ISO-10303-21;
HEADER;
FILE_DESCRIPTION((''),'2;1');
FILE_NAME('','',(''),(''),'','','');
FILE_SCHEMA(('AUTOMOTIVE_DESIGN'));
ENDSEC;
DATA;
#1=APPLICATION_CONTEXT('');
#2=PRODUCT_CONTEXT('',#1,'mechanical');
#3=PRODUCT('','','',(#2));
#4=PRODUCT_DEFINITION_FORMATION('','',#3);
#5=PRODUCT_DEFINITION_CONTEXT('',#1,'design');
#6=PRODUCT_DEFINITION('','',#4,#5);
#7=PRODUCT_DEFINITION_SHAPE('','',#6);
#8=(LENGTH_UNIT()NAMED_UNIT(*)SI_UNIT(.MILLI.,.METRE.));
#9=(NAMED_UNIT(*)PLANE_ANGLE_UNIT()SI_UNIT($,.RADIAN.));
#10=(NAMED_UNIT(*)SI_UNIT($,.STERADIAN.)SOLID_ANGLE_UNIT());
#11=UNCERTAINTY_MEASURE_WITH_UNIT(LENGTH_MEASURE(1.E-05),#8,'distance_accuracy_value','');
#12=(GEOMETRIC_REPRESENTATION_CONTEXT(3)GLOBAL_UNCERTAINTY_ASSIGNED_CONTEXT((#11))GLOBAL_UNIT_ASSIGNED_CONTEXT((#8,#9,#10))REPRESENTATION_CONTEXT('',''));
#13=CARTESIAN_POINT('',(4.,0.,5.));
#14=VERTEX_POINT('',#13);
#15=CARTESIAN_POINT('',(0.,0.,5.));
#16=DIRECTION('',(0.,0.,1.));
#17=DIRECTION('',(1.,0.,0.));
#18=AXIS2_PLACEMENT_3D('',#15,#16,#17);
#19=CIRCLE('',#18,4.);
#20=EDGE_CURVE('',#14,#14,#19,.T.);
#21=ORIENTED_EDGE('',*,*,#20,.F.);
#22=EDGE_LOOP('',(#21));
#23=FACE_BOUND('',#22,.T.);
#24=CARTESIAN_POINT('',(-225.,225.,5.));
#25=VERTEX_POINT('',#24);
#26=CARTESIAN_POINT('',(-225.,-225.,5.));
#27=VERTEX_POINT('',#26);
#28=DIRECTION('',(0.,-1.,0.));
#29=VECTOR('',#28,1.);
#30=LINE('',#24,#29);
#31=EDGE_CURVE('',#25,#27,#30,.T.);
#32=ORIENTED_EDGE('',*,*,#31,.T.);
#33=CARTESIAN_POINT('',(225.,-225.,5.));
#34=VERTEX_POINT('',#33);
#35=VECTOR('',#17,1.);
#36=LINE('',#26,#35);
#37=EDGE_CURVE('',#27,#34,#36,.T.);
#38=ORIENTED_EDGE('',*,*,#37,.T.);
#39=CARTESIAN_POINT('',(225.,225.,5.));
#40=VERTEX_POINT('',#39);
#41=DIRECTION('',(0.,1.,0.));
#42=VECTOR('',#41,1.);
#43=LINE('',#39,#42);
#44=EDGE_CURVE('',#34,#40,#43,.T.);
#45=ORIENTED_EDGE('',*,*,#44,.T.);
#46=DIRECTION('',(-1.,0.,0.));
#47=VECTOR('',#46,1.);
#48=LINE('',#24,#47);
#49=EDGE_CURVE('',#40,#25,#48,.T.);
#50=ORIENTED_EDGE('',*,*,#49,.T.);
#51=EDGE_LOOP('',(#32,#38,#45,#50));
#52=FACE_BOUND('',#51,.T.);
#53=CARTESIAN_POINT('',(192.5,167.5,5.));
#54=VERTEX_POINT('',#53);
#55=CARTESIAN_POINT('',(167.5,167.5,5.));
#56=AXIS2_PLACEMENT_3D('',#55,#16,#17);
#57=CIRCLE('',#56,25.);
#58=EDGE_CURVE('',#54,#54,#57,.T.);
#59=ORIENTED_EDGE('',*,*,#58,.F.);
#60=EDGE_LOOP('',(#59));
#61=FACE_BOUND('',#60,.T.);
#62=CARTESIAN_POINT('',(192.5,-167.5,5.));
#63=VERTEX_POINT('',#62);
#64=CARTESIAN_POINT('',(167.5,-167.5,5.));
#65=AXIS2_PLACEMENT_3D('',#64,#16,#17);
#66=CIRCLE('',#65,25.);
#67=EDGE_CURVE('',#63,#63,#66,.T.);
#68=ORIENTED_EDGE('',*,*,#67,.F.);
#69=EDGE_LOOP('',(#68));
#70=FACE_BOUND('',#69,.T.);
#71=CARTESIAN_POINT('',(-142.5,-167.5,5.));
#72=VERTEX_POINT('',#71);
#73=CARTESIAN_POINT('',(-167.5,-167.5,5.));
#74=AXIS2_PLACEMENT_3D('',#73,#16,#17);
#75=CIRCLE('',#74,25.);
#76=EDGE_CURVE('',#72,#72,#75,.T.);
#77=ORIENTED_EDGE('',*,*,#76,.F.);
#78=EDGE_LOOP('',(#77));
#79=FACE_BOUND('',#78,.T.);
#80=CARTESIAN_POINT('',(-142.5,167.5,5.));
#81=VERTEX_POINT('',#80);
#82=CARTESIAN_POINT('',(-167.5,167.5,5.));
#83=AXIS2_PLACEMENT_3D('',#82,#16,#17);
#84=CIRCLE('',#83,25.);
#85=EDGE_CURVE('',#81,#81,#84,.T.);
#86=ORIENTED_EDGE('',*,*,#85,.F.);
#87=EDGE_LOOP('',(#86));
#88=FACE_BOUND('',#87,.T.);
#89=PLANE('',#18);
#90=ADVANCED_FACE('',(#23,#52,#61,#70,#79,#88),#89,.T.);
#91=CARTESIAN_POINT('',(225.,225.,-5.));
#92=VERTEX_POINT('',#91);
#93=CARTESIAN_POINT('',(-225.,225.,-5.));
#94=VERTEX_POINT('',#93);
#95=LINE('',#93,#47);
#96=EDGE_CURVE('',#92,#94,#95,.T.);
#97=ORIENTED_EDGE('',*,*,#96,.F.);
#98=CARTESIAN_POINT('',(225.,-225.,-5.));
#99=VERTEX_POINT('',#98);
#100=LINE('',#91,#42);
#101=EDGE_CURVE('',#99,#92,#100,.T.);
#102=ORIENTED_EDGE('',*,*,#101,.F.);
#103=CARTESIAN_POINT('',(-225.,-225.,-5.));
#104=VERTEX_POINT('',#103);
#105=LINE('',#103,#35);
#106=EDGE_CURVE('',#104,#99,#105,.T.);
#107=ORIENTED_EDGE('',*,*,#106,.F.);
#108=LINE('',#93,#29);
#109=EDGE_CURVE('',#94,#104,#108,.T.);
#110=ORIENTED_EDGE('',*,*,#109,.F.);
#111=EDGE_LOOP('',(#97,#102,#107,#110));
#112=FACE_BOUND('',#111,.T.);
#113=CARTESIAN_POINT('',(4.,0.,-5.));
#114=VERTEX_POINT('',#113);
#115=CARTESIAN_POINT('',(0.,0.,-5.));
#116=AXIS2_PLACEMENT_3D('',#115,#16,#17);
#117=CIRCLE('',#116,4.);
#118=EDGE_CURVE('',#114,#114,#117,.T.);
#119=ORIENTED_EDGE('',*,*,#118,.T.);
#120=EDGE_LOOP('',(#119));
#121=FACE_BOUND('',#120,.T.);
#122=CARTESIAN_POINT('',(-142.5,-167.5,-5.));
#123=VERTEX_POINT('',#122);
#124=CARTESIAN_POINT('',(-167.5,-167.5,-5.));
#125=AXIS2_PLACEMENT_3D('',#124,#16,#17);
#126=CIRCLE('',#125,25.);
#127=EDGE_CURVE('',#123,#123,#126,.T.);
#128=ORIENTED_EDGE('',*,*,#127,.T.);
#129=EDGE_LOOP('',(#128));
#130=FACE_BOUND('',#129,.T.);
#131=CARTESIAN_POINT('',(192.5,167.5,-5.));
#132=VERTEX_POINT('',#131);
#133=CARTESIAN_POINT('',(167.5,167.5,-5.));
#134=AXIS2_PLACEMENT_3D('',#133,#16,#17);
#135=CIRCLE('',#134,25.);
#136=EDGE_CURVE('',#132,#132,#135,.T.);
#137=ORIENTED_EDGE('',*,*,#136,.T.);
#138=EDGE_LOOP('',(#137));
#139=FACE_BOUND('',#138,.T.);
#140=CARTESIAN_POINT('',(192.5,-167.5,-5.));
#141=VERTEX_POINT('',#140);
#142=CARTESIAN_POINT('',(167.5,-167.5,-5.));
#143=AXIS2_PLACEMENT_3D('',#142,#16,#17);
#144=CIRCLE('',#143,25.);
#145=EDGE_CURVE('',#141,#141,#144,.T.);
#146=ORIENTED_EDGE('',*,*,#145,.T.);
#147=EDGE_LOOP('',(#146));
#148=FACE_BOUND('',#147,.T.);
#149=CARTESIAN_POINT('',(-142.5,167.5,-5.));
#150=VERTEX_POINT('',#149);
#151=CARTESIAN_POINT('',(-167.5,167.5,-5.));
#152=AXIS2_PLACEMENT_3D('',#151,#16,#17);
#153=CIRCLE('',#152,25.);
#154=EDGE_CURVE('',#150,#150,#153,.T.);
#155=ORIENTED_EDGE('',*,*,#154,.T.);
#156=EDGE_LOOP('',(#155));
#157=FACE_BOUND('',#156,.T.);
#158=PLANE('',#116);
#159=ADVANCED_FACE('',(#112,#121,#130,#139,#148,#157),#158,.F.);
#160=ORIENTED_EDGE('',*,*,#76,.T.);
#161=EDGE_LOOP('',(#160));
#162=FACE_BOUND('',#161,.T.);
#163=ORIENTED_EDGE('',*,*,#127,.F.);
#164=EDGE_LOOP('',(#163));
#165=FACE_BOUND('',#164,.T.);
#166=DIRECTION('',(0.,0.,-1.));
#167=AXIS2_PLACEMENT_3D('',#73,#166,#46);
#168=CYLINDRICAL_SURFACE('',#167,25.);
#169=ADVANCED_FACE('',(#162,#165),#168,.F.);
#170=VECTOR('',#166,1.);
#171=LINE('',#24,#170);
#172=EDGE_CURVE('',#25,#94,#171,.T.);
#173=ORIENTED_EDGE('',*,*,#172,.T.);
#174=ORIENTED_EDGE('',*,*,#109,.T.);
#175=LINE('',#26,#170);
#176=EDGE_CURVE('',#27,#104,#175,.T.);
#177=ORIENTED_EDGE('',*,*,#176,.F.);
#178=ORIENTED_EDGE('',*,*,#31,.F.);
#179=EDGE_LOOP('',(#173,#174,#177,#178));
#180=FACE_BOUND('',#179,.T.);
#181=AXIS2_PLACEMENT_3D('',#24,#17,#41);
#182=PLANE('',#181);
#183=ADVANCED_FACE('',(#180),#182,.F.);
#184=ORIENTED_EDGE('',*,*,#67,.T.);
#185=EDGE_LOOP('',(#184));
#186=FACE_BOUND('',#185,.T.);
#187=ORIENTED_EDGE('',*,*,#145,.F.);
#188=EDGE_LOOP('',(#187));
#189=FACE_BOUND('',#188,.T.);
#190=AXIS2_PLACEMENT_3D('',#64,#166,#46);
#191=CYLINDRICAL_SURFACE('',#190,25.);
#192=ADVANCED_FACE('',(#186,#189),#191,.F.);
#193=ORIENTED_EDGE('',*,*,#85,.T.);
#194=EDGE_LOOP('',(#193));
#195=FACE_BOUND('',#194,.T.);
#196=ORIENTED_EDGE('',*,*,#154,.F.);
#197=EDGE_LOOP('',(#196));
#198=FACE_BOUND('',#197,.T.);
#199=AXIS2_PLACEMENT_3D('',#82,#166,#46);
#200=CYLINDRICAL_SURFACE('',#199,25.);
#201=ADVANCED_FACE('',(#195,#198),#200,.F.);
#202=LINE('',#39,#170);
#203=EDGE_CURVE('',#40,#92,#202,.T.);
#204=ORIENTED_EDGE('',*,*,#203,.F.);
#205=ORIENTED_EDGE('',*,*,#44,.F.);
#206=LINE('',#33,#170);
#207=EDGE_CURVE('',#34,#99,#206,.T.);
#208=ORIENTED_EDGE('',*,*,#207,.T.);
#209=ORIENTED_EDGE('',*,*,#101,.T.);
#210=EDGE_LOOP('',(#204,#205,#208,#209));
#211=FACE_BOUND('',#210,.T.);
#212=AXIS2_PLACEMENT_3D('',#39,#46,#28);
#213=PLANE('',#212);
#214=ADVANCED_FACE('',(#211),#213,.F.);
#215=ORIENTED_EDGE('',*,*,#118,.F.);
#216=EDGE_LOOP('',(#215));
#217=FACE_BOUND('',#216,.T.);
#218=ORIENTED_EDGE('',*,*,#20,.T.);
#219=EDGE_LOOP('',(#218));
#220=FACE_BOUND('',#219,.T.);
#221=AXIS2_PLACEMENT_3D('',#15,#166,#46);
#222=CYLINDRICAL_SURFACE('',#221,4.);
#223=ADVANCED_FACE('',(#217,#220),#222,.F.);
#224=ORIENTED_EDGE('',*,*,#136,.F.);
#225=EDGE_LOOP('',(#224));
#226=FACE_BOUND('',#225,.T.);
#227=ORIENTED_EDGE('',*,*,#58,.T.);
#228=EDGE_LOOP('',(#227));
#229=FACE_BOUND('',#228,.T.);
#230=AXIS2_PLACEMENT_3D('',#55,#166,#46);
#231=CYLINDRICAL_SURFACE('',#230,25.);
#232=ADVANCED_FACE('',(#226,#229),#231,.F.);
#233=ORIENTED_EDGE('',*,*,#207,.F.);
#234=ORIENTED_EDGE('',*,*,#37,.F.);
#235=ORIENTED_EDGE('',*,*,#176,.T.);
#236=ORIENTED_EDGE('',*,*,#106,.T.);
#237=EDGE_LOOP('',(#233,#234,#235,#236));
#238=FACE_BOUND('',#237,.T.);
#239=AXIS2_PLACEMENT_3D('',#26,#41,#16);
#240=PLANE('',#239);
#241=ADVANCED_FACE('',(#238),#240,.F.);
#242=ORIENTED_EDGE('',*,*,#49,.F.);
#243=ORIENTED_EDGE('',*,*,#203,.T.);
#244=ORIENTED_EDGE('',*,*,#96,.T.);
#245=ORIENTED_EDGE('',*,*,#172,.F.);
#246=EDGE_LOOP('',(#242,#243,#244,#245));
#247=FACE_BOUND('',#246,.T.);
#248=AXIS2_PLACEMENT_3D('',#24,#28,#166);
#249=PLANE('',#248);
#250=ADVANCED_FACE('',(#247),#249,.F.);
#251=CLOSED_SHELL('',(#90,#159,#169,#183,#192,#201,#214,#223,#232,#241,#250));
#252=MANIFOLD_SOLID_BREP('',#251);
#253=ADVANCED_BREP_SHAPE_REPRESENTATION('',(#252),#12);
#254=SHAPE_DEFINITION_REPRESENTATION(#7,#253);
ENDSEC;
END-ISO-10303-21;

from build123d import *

# Parameters (mm, degrees)
SKETCH1_W           = 450
SKETCH1_H           = 450
SKETCH1_R           = 4
SKETCH1_R_2         = 25
BOSS_EXTRUDE1_DEPTH = 5


with BuildPart() as part:
    # Sketch1 → Boss-Extrude1 (new, symmetric)
    with BuildSketch(Plane.XY):
        Rectangle(SKETCH1_W, SKETCH1_H)
        Circle(SKETCH1_R, mode=Mode.SUBTRACT)
        with Locations((-167.5, -167.5)):
            Circle(SKETCH1_R_2, mode=Mode.SUBTRACT)
        with Locations((167.5, -167.5)):
            Circle(SKETCH1_R_2, mode=Mode.SUBTRACT)
        with Locations((167.5, 167.5)):
            Circle(SKETCH1_R_2, mode=Mode.SUBTRACT)
        with Locations((-167.5, 167.5)):
            Circle(SKETCH1_R_2, mode=Mode.SUBTRACT)
    extrude(amount=BOSS_EXTRUDE1_DEPTH, both=True)


solid = part.part
